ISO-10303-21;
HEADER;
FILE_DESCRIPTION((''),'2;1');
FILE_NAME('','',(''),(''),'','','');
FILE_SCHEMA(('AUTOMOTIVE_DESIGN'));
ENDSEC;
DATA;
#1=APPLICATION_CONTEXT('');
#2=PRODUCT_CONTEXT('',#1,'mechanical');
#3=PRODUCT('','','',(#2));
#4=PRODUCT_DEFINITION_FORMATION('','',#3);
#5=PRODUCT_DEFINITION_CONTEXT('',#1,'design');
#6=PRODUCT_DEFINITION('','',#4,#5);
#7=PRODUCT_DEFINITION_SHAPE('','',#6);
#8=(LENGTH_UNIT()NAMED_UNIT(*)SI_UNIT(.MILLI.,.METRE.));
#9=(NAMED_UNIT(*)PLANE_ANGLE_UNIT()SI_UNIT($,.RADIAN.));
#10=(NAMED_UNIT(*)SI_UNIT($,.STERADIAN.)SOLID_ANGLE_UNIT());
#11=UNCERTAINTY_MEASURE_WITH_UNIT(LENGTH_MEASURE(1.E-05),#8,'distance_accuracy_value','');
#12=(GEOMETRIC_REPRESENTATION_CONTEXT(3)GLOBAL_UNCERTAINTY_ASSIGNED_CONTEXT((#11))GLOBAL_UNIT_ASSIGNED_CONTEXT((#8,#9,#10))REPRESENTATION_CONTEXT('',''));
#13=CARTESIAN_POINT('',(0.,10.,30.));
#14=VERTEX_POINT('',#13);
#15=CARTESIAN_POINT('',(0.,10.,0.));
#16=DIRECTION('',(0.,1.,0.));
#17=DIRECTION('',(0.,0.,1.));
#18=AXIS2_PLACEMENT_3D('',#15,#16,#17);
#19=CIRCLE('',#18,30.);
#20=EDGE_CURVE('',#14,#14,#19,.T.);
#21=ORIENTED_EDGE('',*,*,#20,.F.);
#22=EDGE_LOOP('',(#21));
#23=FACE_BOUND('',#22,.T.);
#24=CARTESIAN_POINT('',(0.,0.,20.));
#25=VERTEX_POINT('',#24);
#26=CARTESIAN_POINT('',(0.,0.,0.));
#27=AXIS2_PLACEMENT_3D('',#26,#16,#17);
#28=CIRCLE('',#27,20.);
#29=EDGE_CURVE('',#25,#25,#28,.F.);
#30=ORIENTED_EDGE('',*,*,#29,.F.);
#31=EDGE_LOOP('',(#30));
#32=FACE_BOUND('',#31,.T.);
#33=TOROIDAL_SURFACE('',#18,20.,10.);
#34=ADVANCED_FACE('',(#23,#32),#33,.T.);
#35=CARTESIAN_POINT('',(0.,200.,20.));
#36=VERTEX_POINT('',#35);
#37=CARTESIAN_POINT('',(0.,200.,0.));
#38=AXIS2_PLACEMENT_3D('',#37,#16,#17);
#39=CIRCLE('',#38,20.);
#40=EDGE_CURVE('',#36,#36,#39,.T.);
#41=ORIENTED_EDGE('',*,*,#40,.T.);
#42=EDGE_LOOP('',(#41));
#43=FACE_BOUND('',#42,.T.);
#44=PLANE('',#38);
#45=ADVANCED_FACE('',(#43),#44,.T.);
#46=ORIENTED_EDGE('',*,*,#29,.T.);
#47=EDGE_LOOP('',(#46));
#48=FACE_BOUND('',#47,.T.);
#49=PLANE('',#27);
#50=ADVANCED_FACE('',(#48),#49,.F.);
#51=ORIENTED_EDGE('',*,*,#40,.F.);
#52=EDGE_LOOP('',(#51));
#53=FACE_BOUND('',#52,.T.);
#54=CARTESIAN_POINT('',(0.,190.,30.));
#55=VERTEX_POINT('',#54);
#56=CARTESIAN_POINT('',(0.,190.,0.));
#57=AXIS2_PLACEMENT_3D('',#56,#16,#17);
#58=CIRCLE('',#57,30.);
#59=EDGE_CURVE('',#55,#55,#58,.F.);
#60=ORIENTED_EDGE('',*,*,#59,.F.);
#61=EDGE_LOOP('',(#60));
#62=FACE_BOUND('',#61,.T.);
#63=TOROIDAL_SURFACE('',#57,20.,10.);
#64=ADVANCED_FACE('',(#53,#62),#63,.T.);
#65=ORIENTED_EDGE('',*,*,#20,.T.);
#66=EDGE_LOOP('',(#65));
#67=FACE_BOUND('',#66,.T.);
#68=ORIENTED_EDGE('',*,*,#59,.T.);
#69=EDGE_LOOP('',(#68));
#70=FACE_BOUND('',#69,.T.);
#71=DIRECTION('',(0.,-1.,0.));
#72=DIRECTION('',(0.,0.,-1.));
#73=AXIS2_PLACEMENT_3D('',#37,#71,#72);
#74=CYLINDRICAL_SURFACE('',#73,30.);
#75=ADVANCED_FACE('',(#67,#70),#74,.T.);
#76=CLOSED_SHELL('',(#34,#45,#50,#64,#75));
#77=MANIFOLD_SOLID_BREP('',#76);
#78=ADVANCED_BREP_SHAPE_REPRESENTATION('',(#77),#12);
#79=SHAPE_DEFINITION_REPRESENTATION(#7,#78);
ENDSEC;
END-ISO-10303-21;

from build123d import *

# Parameters (mm, degrees)
SKETCH1_R           = 30
BOSS_EXTRUDE1_DEPTH = 200
FILLET1_R           = 10


with BuildPart() as part:
    # Sketch1 → Boss-Extrude1 (new body)
    with BuildSketch(Plane(origin=(0, 0, 0), x_dir=(1, 0, 0), z_dir=(0, 1, 0))):
        Circle(SKETCH1_R)
    extrude(amount=BOSS_EXTRUDE1_DEPTH)

    # Fillet1
    fillet1_edges = [part.edges().sort_by_distance(p)[0] for p in [
        (-30, 0, 0),
        (-30, 200, 0),
    ]]
    fillet(fillet1_edges, radius=FILLET1_R)


solid = part.part
